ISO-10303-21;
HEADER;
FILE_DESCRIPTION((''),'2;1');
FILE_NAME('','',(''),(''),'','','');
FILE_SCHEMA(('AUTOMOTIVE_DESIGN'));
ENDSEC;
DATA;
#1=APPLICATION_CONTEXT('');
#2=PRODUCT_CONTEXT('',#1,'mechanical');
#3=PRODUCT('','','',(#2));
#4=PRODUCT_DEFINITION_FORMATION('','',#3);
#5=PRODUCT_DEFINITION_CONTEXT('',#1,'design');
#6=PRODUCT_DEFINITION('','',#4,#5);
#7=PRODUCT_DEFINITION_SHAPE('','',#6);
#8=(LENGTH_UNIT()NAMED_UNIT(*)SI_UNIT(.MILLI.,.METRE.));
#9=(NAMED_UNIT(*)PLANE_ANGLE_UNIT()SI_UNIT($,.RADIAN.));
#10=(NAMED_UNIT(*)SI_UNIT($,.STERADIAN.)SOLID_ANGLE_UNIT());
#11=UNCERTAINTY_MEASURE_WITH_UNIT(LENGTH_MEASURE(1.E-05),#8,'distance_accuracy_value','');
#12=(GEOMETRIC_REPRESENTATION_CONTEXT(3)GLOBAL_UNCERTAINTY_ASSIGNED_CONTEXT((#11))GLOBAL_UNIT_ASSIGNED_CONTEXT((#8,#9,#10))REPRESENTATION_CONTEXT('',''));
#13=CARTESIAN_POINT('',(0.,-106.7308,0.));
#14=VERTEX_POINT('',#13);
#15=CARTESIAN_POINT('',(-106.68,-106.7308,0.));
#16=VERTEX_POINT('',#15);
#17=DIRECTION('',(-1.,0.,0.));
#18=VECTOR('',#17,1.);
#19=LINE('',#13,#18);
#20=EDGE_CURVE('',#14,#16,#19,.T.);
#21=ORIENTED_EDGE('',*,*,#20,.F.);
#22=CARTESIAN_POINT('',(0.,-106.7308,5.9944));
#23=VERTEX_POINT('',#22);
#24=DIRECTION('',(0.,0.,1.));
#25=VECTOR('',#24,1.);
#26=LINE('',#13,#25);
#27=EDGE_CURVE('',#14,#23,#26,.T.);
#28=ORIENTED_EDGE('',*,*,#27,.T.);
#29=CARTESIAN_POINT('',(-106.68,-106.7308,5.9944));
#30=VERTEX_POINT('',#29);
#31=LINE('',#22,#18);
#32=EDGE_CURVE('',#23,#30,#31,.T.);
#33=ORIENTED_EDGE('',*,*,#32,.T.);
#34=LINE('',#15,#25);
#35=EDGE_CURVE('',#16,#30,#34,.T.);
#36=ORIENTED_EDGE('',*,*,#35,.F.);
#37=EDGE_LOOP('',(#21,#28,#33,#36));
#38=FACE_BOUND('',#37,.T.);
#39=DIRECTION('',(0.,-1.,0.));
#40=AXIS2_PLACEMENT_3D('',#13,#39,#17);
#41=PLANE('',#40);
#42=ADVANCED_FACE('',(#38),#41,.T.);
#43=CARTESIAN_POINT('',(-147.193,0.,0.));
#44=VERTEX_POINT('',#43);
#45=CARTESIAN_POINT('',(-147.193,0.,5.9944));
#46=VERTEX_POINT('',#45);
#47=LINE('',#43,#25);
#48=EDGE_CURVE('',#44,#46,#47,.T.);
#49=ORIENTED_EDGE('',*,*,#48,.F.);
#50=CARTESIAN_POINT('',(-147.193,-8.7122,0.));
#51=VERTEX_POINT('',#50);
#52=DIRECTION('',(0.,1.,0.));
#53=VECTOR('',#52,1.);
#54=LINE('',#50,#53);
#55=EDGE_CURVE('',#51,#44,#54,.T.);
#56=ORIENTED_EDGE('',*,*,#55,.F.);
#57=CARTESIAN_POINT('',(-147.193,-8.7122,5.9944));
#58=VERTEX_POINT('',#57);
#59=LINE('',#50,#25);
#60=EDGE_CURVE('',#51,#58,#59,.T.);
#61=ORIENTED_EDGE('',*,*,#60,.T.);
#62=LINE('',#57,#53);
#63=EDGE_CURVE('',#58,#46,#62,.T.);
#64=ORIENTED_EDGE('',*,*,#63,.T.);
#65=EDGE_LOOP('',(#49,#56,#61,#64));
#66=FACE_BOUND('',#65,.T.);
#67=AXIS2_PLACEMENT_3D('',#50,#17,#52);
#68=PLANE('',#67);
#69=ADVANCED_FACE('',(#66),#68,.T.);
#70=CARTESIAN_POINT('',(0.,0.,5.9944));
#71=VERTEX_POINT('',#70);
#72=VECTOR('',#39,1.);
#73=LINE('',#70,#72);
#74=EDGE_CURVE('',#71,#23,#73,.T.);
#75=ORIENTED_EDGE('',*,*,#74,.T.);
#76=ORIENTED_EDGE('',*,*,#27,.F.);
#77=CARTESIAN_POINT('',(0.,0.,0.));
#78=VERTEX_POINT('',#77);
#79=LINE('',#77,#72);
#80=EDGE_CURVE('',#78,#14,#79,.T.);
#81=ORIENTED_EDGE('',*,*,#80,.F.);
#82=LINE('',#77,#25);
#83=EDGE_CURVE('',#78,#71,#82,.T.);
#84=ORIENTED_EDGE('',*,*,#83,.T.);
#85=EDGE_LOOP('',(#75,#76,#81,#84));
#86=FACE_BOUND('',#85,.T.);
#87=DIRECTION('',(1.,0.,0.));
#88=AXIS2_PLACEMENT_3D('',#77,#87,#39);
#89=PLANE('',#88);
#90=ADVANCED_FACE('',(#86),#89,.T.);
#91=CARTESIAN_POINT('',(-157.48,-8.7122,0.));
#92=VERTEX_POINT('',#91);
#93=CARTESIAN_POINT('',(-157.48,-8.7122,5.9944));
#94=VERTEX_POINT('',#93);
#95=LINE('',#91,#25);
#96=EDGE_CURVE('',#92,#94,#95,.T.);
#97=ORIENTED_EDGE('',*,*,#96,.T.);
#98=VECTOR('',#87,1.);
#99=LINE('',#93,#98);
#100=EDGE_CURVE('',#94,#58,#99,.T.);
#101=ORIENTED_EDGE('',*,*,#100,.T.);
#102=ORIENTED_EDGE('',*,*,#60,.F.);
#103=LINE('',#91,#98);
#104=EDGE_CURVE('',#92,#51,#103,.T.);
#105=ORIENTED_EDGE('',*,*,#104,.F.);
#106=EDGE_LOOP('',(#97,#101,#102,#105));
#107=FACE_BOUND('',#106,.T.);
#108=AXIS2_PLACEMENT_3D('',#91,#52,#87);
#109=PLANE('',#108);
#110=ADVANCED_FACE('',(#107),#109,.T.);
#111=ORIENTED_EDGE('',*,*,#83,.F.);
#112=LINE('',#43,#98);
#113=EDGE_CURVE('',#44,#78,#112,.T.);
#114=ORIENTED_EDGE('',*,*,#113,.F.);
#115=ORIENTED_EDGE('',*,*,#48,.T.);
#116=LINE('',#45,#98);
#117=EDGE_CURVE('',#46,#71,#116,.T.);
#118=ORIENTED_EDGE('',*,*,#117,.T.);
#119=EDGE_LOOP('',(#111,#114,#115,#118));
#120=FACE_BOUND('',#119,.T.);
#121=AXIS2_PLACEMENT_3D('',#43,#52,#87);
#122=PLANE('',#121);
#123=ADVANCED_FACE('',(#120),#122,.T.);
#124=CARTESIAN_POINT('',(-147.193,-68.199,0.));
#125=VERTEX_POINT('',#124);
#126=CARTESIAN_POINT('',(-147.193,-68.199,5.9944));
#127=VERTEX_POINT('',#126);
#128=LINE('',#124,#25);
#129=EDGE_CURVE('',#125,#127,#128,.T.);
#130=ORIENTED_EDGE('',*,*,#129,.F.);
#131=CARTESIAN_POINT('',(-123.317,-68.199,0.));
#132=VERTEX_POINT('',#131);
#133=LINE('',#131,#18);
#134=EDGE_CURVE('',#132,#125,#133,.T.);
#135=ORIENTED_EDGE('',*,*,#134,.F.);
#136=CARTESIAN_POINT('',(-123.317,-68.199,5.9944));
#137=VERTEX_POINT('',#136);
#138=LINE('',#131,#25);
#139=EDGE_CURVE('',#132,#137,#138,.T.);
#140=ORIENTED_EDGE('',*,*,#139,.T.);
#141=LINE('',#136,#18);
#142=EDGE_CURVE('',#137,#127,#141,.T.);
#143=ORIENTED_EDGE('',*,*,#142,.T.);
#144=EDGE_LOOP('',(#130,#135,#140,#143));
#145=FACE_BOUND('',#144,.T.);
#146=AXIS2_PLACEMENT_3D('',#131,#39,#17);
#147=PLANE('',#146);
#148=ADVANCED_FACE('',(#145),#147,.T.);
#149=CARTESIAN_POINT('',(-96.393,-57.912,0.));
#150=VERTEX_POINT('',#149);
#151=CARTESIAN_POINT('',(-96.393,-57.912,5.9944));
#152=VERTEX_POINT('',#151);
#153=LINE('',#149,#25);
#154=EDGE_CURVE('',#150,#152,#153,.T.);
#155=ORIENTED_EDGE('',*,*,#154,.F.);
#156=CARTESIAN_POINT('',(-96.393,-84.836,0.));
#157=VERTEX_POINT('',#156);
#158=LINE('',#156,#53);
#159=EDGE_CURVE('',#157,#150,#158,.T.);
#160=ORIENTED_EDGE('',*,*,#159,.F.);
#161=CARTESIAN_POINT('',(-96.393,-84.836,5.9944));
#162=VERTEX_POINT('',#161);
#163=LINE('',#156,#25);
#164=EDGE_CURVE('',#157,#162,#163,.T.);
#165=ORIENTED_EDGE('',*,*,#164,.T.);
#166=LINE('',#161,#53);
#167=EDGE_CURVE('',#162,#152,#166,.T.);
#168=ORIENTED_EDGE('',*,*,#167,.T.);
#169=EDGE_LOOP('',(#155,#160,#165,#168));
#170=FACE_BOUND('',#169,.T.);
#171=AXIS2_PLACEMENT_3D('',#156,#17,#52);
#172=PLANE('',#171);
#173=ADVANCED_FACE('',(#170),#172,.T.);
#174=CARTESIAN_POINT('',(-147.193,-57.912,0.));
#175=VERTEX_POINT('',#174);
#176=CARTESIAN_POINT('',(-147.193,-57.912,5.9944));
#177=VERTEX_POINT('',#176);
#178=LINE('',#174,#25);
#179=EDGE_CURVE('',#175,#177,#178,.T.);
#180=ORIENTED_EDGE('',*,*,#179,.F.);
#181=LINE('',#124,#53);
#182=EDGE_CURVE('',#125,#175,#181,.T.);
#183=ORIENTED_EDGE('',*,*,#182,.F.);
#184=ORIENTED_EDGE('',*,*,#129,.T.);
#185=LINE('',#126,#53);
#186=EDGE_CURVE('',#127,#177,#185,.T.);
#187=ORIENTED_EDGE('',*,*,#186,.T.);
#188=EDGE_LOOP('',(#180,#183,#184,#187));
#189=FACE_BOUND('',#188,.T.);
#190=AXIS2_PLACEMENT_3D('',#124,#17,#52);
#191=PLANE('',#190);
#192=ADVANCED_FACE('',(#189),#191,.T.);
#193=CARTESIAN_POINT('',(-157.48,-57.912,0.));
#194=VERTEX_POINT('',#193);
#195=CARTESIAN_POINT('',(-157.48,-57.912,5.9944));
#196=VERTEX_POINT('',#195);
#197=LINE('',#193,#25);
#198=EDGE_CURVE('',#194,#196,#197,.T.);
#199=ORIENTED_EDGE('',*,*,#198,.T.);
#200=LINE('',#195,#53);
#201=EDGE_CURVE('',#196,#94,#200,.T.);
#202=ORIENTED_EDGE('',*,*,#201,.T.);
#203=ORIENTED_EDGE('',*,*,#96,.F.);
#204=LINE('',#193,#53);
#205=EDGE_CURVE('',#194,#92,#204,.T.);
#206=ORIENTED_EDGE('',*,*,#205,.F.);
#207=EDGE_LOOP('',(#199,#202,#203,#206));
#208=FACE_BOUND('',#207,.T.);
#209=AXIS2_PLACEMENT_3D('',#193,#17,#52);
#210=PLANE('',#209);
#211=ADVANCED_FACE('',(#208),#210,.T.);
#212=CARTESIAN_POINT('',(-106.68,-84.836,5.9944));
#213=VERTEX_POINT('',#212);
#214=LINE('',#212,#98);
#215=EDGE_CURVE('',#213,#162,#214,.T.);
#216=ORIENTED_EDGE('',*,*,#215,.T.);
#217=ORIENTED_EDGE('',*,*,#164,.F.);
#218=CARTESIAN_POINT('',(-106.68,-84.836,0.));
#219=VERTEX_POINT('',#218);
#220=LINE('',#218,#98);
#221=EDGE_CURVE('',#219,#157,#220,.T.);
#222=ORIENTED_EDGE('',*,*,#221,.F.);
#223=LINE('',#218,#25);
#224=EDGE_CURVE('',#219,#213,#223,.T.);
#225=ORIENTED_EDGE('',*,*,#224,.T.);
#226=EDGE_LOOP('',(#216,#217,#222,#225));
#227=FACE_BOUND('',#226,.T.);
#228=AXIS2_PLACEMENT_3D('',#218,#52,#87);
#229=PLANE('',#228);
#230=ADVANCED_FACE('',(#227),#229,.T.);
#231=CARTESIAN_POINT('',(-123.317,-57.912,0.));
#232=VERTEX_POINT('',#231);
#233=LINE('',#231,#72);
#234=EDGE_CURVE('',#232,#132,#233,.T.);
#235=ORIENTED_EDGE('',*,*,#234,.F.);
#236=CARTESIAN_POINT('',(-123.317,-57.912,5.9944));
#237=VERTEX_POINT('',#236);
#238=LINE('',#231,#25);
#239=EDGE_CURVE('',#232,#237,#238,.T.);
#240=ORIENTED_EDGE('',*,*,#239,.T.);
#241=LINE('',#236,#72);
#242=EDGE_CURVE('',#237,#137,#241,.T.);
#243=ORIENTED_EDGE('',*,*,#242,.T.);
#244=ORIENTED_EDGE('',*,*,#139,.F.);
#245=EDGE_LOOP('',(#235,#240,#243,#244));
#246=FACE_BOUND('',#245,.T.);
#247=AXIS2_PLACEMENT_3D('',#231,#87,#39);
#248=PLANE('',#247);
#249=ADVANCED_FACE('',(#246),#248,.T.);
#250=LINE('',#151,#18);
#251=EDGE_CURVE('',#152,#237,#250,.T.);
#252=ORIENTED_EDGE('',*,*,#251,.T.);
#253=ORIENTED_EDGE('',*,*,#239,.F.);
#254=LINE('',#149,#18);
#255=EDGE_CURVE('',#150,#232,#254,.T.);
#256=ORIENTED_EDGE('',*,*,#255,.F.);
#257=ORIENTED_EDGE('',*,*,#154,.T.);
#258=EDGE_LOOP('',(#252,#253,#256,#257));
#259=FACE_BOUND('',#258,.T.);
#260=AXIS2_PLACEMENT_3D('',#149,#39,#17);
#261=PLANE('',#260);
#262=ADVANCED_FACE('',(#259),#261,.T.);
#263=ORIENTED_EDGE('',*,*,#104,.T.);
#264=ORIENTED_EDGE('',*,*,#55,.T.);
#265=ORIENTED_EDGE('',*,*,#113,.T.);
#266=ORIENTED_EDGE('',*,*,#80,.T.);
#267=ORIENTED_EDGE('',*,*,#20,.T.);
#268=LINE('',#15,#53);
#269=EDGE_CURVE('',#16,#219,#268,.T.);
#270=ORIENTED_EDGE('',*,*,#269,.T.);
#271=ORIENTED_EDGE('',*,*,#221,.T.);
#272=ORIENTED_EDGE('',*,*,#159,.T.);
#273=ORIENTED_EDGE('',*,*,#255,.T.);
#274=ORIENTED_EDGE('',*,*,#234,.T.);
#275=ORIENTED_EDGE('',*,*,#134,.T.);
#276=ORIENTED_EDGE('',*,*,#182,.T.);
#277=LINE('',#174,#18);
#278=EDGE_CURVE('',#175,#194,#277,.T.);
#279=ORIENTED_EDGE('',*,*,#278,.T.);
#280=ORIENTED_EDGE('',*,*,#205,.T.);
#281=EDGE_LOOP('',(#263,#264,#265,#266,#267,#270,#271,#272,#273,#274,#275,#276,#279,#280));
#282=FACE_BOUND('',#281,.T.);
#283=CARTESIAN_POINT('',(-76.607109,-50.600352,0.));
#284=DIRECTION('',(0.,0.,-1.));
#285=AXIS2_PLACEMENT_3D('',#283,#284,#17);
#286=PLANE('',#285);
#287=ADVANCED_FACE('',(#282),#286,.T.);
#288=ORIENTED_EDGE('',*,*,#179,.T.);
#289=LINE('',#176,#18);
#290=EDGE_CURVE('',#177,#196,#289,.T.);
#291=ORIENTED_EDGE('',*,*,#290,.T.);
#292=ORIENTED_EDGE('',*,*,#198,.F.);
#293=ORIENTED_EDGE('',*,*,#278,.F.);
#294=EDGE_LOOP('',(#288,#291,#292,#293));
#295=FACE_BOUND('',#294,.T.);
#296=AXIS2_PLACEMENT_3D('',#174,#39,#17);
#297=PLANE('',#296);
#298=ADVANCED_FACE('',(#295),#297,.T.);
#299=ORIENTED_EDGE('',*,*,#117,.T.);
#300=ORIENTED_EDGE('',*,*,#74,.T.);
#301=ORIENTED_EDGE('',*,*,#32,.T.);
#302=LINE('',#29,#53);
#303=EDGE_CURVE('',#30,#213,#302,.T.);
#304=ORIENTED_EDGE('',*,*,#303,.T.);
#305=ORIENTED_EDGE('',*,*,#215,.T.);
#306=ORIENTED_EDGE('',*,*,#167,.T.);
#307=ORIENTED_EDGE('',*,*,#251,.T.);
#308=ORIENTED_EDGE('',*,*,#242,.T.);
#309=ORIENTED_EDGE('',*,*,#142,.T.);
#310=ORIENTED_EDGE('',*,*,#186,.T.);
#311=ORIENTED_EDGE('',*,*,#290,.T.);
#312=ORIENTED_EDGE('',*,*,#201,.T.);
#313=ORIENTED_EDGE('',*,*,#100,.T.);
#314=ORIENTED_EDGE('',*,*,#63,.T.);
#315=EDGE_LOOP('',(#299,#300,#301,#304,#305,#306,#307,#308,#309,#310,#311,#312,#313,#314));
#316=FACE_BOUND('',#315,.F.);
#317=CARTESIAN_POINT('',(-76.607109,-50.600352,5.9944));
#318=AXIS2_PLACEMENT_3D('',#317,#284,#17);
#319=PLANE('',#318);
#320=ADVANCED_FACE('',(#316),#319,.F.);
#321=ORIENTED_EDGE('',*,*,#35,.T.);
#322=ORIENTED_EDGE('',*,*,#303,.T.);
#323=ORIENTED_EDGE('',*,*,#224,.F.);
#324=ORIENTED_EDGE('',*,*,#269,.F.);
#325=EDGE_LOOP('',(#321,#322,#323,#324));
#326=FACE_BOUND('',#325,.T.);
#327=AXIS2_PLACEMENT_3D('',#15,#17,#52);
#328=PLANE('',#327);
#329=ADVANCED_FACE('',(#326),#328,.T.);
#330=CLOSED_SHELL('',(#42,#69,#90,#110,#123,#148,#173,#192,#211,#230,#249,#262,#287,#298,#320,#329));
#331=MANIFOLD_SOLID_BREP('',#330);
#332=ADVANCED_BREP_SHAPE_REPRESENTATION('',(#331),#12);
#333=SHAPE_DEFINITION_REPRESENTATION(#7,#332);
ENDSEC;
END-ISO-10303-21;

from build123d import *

# Parameters (mm, degrees)
EXTRUDE_DEPTH = 5.9944


with BuildPart() as part:
    # Sketch → Extrude (new body)
    with BuildSketch(Plane.XY):
        Polygon((-157.48, -8.7122), (-147.193, -8.7122), (-147.193, 0), (0, 0), (0, -106.7308), (-106.68, -106.7308), (-106.68, -84.836), (-96.393, -84.836), (-96.393, -57.912), (-123.317, -57.912), (-123.317, -68.199), (-147.193, -68.199), (-147.193, -57.912), (-157.48, -57.912), align=None)
    extrude(amount=EXTRUDE_DEPTH)


solid = part.part
